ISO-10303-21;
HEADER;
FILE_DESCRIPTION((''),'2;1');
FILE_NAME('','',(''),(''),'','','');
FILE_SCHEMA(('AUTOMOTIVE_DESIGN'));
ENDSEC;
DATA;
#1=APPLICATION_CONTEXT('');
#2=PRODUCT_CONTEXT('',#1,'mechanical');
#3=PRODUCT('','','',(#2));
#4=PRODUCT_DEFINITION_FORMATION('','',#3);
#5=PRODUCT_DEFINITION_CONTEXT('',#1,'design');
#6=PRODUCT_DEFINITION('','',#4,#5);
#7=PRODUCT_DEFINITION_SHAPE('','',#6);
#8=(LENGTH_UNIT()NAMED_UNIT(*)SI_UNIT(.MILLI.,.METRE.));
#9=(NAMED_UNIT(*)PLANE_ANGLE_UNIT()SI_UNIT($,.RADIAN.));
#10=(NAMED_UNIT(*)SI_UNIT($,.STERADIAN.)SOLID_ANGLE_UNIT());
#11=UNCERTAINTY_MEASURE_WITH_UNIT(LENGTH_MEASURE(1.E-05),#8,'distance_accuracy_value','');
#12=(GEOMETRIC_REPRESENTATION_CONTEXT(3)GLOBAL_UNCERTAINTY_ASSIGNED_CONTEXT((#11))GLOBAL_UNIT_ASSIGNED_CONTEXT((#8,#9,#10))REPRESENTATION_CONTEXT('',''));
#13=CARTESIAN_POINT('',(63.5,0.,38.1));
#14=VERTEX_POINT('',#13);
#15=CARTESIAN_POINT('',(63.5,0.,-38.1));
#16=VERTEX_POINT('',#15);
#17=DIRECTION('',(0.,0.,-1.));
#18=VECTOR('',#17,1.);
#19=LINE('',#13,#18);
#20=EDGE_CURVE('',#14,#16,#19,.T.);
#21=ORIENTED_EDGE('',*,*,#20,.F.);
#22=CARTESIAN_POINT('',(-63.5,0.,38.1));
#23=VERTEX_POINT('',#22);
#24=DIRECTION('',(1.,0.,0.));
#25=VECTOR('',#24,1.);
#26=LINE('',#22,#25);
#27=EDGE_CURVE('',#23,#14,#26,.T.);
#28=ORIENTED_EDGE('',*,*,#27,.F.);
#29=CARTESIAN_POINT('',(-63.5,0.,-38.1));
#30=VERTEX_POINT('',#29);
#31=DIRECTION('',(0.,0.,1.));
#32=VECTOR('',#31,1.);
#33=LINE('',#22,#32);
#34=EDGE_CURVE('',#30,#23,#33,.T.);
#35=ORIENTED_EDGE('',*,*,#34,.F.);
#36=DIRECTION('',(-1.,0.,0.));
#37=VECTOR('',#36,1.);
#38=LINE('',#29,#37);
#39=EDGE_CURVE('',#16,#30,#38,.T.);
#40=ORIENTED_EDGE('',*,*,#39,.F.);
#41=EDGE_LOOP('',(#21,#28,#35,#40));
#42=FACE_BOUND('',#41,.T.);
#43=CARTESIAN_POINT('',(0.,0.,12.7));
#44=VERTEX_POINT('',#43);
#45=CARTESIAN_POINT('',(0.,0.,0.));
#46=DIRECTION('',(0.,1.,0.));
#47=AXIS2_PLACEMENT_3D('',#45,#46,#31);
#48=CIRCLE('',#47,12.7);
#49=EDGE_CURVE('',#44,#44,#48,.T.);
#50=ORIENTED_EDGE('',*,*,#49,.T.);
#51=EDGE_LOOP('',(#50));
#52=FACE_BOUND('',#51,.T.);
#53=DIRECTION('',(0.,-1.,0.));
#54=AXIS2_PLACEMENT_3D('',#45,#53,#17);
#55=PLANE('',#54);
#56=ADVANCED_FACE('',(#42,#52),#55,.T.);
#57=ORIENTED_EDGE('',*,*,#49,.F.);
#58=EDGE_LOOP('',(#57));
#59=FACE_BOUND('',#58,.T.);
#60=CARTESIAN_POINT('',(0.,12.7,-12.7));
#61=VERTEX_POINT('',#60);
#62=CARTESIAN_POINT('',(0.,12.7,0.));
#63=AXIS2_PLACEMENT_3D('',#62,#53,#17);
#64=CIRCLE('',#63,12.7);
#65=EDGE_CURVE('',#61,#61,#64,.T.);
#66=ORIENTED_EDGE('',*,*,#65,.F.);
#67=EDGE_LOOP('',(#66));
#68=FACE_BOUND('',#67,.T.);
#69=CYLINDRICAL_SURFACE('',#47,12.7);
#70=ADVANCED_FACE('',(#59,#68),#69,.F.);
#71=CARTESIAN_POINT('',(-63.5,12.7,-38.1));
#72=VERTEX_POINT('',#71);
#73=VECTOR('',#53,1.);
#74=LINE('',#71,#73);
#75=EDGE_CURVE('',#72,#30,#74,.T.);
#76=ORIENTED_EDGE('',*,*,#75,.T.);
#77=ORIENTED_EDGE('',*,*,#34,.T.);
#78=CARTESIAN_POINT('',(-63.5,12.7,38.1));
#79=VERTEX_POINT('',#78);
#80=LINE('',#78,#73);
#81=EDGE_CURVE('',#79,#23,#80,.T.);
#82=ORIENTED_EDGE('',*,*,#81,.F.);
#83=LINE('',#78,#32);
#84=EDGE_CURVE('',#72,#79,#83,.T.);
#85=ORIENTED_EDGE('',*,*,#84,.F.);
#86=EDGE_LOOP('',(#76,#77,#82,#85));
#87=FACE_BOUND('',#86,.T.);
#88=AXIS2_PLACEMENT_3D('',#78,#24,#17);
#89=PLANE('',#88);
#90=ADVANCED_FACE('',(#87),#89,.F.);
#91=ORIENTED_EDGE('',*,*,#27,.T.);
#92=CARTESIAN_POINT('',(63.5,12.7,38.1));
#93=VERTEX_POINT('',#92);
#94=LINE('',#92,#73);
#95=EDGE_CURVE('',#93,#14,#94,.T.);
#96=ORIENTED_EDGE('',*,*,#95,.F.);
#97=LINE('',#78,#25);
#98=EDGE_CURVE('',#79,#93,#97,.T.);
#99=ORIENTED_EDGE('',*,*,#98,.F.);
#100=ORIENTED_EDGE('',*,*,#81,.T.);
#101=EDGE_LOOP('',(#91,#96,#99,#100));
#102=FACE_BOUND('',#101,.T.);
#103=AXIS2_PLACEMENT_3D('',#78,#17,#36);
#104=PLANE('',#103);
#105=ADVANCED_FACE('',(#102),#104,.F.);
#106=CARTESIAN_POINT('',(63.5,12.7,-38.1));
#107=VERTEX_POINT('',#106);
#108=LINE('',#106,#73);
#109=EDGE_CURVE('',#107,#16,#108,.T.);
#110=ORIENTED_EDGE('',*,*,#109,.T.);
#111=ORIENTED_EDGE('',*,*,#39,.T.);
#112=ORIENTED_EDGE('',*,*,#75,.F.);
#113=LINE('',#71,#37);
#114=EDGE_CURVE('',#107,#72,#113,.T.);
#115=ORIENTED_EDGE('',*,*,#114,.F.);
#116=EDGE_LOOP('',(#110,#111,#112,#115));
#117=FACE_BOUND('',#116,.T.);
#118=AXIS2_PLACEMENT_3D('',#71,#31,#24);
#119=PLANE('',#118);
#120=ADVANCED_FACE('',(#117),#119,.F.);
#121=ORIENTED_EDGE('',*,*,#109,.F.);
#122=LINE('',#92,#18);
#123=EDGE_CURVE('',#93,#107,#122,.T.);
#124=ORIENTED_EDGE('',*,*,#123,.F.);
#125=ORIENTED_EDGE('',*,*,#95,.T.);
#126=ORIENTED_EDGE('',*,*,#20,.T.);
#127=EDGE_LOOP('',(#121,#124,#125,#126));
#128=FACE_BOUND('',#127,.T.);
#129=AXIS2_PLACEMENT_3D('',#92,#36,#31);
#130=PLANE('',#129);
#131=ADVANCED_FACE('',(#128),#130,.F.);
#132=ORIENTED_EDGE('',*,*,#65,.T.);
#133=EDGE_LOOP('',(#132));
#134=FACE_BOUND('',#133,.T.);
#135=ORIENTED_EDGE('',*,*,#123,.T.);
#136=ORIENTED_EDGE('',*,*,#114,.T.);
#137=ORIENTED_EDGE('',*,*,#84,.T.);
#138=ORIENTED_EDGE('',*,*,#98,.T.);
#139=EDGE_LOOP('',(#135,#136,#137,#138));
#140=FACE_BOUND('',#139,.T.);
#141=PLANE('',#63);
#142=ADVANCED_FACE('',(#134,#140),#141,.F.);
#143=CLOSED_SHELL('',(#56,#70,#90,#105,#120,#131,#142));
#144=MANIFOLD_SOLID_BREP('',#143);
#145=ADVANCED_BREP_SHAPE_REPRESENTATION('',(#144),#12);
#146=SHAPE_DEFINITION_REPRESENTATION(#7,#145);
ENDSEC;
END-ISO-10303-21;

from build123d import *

# Parameters (mm, degrees)
SKETCH1_W               = 127
SKETCH1_H               = 76.2
BOSS_EXTRUDE1_DEPTH     = 12.7
CUT_EXTRUDE1_DEPTH      = 76.134213245
CUT_EXTRUDE1_DEPTH_BACK = 76.134213245
SKETCH2_R               = 12.7


with BuildPart() as part:
    # Sketch1 → Boss-Extrude1 (new body)
    with BuildSketch(Plane(origin=(0, 0, 0), x_dir=(1, 0, 0), z_dir=(0, 1, 0))):
        Rectangle(SKETCH1_W, SKETCH1_H)
    extrude(amount=BOSS_EXTRUDE1_DEPTH)

    # Sketch2 → Cut-Extrude1 (cut, two sides: drawn at the far end of the back side and taken through both)
    with BuildSketch(Plane(origin=(0, 12.7, 0), x_dir=(1, 0, 0), z_dir=(0, 1, 0)).offset(-CUT_EXTRUDE1_DEPTH_BACK)):
        with Locations(Location((0, 0, 0), (0, 0, 270))):
            Circle(SKETCH2_R)
    extrude(amount=CUT_EXTRUDE1_DEPTH + CUT_EXTRUDE1_DEPTH_BACK, mode=Mode.SUBTRACT)


solid = part.part
